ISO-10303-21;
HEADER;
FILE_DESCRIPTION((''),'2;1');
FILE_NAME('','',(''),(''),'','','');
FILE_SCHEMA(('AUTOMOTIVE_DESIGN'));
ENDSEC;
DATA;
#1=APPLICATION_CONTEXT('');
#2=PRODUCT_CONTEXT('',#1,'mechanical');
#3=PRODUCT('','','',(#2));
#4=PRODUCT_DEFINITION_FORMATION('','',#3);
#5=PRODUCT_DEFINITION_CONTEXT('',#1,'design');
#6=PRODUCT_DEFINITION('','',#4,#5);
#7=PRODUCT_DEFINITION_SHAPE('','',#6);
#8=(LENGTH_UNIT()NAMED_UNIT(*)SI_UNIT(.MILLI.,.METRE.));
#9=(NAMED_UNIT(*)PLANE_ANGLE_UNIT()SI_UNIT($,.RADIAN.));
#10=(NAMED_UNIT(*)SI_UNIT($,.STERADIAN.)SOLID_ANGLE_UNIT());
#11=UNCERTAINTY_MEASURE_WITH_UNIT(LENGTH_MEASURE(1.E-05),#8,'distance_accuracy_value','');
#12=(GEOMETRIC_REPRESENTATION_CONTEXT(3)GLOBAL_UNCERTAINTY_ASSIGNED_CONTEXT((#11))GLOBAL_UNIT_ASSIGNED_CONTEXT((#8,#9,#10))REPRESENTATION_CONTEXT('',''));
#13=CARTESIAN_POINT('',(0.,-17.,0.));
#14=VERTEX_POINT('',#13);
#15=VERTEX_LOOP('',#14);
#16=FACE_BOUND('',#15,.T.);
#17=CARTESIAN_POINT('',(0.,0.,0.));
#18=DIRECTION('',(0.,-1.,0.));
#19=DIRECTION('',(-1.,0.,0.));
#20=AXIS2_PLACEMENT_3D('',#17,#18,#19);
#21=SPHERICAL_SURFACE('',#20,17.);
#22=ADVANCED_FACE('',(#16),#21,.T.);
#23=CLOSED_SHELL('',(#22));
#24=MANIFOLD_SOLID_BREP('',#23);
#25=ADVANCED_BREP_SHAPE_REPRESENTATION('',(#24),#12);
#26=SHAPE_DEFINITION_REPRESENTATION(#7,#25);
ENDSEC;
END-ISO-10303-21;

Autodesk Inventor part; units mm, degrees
ref_plane "YZ Plane" through (0, 0, 0) normal (1, 0, 0) x (0, 1, 0)
ref_plane "XZ Plane" through (0, 0, 0) normal (0, 1, 0) x (-1, 0, 0)
ref_plane "XY Plane" through (0, 0, 0) normal (0, 0, 1) x (1, 0, 0)
sketch "Sketch1" plane through (0, 0, 0) normal (0, 0, 1) x (1, 0, 0)
  circle A0 centre (0, 0) radius 17
  line L0 (0, 17) -> (0, -17)
  dimension "d0" = 34
revolve "Revolution1" add sketch "Sketch1" angle 360 about axis through (0, 17, 0) along (0, -1, 0) picked at (-4.6636, 3.219) contours L0 A0
properties part number "Ball"
